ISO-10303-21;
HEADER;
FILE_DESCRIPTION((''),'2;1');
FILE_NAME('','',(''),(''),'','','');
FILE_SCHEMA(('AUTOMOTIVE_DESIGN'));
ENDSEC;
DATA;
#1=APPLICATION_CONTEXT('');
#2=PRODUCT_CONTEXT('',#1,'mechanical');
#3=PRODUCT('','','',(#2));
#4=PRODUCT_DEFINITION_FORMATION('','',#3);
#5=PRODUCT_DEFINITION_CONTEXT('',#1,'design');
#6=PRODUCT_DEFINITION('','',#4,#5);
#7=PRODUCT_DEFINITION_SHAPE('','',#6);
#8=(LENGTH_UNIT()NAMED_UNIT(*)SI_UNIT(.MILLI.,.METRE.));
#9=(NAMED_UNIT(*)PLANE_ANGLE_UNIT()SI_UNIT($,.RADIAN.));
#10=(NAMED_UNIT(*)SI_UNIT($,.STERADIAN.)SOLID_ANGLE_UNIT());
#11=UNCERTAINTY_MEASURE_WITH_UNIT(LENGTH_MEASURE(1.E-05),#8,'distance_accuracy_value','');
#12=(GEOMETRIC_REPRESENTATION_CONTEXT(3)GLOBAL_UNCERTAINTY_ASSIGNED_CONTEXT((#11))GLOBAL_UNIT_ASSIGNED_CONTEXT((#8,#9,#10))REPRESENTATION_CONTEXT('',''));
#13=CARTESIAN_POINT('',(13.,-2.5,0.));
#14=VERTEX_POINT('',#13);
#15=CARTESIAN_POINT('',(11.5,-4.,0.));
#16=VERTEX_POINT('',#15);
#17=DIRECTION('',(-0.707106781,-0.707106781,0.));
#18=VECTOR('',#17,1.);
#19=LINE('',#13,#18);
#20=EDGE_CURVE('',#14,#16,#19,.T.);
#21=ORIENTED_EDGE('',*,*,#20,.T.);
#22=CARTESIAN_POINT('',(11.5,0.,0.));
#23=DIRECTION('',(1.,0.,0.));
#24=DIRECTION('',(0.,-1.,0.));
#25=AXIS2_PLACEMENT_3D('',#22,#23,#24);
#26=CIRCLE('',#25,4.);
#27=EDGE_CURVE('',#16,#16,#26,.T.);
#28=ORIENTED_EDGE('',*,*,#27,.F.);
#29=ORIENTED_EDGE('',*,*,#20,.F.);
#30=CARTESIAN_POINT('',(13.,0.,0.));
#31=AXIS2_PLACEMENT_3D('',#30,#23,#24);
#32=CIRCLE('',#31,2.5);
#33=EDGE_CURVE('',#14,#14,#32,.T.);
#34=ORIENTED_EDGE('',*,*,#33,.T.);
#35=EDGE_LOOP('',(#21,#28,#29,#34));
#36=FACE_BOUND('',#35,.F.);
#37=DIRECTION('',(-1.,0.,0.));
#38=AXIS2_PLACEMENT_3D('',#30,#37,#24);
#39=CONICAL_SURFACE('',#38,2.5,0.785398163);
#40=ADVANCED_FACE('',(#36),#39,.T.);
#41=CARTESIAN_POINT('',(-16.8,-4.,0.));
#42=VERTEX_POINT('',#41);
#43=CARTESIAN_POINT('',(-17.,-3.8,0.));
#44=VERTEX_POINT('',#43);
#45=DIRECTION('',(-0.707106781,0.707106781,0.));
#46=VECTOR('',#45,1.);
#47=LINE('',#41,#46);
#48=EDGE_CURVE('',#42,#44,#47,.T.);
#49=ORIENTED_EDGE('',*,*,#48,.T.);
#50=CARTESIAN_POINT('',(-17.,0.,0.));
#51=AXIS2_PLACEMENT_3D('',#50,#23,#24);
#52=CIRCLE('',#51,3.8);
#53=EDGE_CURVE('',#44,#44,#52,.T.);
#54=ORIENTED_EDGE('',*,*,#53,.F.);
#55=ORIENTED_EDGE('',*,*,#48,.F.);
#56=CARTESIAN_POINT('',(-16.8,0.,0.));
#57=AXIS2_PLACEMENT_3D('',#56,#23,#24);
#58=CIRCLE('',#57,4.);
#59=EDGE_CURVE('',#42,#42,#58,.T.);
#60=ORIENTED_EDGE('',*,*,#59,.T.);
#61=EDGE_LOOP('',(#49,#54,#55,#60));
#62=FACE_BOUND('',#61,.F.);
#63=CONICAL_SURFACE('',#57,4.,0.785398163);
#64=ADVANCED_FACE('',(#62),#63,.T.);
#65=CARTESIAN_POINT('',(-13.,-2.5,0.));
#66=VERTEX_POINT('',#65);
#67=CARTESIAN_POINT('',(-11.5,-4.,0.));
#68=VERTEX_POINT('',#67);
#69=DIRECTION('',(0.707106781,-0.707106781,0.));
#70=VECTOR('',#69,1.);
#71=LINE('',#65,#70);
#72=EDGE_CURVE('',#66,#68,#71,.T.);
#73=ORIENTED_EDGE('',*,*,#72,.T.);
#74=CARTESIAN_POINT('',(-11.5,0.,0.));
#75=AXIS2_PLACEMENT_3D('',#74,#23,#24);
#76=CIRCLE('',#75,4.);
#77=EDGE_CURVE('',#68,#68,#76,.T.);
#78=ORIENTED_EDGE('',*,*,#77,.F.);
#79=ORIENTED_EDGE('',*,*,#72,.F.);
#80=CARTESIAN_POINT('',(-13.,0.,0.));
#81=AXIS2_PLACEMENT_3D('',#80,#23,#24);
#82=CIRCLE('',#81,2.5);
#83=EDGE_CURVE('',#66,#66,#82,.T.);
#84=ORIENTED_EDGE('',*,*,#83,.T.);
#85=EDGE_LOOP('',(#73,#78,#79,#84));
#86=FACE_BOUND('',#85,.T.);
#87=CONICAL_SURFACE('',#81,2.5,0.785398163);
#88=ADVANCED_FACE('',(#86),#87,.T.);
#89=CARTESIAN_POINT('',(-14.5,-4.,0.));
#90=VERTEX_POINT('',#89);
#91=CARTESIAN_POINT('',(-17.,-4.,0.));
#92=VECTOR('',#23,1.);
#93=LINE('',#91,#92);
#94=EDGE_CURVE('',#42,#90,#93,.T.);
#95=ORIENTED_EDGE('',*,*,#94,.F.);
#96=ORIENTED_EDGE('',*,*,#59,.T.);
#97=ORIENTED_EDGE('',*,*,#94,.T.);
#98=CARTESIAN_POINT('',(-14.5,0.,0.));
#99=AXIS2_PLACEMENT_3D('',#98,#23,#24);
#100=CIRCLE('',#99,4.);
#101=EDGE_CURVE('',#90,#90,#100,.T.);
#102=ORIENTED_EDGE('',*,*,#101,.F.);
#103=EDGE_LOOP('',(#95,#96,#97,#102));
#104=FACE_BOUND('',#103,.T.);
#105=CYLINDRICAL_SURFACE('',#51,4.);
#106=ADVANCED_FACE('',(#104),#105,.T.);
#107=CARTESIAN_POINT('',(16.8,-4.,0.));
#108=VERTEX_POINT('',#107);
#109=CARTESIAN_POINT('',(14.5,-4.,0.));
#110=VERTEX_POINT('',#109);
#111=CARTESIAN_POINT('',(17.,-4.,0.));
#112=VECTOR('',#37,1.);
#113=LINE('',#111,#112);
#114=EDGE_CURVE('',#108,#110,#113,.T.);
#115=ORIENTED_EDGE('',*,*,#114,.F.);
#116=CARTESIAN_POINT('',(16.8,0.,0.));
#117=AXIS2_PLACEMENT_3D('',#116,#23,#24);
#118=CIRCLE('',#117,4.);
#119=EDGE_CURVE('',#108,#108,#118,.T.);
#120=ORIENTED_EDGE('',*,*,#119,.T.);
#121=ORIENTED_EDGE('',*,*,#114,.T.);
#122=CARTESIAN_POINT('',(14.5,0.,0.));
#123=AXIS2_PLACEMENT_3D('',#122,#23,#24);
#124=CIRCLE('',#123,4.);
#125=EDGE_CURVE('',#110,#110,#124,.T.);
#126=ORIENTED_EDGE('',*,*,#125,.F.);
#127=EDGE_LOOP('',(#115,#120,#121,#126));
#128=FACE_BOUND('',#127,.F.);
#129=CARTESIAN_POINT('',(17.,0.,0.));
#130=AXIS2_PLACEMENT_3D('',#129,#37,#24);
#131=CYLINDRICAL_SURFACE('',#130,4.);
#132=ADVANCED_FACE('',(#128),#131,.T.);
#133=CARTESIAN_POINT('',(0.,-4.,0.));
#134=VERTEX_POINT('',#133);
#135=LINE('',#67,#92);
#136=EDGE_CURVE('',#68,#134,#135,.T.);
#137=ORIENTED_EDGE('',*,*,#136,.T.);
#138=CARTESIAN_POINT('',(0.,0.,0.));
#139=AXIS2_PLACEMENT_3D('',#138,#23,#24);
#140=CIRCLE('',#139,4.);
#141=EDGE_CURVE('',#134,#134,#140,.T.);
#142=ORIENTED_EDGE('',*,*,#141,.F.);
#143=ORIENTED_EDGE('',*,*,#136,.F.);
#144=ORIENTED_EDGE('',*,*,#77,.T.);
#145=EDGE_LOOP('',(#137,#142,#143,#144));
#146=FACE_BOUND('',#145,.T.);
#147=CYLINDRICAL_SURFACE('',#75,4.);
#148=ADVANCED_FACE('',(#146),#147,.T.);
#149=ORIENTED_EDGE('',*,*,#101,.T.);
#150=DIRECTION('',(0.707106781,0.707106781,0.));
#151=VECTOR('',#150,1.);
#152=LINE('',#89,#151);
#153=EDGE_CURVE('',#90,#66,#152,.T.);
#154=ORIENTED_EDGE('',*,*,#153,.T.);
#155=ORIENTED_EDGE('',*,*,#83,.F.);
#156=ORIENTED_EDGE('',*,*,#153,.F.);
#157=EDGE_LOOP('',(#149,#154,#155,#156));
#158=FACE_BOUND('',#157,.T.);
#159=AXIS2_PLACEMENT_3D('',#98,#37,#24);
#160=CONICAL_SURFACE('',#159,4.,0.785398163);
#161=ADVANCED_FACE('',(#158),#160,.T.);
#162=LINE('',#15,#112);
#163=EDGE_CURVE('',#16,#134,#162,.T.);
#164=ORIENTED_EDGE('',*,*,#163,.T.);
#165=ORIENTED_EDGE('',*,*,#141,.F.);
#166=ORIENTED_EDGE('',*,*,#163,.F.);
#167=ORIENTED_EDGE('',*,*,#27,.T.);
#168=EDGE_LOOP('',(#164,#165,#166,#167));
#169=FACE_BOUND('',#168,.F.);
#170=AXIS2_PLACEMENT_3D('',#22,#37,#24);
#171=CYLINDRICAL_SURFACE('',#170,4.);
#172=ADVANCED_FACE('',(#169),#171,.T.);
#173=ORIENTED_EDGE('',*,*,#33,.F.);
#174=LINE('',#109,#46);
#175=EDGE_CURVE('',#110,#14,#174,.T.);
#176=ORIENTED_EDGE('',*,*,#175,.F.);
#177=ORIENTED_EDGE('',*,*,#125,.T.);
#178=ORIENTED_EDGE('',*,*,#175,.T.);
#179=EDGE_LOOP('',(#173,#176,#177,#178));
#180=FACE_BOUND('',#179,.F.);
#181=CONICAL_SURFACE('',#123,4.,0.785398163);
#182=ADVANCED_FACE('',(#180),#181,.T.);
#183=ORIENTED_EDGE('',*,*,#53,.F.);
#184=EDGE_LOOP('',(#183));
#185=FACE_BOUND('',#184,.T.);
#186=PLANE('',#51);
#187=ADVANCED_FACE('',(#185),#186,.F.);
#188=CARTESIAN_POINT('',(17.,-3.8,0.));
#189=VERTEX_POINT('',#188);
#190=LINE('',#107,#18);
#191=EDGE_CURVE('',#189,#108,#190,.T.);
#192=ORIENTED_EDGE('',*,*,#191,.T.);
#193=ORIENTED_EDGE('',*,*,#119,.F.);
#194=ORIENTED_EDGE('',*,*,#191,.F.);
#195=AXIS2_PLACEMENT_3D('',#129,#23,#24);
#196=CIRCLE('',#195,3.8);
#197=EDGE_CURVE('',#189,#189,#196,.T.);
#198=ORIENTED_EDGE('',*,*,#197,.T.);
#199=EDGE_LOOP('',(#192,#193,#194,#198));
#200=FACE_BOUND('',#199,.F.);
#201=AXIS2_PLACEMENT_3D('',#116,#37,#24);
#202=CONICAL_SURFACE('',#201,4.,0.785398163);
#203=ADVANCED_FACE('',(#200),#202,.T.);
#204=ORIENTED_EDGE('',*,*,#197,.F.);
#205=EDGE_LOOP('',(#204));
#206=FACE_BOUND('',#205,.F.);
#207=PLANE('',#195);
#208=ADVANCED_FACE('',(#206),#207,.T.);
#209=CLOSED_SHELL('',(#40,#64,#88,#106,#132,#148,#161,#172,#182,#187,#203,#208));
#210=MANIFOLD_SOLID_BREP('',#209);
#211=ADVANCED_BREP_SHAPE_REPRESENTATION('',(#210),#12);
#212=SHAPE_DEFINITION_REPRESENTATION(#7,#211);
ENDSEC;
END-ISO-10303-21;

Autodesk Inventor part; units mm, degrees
ref_plane "YZ Plane" through (0, 0, 0) normal (1, 0, 0) x (0, 1, 0)
ref_plane "XZ Plane" through (0, 0, 0) normal (0, 1, 0) x (-1, 0, 0)
ref_plane "XY Plane" through (0, 0, 0) normal (0, 0, 1) x (1, 0, 0)
sketch "Sketch2" plane through (0, 0, 0) normal (0, 0, 1) x (1, 0, 0)
  line L0 (-17, 0) -> (17, 0)
  line L1 (-17, 0) -> (-17, -4)
  line L2 (-17, -4) -> (-14.5, -4)
  line L3 (-14.5, -4) -> (-13, -2.5)
  line L4 (-13, -2.5) -> (-11.5, -4)
  line L5 (-11.5, -4) -> (0, -4)
  line L6 (0, 0) -> (0, -4) construction
  line L7 (-13, -2.5) -> (-13, 0) construction
  line L8 (17, 0) -> (17, -4)
  line L9 (17, -4) -> (14.5, -4)
  line L10 (14.5, -4) -> (13, -2.5)
  line L11 (13, -2.5) -> (11.5, -4)
  line L12 (11.5, -4) -> (0, -4)
  dimension "d1" = 34
  dimension "d2" = 135
  dimension "d3" = 4
  dimension "d4" = 8
  dimension "d5" = 3
revolve "Revolution1" add sketch "Sketch2" angle 360 about axis through (-17, 0, 0) along (1, 0, 0)
chamfer "Chamfer1" distance 0.2 angle 45 2 edges at (-17, 4, 0) (17, 4, 0)
properties part number "TL20240701-10100AT-002" material "S45C"
